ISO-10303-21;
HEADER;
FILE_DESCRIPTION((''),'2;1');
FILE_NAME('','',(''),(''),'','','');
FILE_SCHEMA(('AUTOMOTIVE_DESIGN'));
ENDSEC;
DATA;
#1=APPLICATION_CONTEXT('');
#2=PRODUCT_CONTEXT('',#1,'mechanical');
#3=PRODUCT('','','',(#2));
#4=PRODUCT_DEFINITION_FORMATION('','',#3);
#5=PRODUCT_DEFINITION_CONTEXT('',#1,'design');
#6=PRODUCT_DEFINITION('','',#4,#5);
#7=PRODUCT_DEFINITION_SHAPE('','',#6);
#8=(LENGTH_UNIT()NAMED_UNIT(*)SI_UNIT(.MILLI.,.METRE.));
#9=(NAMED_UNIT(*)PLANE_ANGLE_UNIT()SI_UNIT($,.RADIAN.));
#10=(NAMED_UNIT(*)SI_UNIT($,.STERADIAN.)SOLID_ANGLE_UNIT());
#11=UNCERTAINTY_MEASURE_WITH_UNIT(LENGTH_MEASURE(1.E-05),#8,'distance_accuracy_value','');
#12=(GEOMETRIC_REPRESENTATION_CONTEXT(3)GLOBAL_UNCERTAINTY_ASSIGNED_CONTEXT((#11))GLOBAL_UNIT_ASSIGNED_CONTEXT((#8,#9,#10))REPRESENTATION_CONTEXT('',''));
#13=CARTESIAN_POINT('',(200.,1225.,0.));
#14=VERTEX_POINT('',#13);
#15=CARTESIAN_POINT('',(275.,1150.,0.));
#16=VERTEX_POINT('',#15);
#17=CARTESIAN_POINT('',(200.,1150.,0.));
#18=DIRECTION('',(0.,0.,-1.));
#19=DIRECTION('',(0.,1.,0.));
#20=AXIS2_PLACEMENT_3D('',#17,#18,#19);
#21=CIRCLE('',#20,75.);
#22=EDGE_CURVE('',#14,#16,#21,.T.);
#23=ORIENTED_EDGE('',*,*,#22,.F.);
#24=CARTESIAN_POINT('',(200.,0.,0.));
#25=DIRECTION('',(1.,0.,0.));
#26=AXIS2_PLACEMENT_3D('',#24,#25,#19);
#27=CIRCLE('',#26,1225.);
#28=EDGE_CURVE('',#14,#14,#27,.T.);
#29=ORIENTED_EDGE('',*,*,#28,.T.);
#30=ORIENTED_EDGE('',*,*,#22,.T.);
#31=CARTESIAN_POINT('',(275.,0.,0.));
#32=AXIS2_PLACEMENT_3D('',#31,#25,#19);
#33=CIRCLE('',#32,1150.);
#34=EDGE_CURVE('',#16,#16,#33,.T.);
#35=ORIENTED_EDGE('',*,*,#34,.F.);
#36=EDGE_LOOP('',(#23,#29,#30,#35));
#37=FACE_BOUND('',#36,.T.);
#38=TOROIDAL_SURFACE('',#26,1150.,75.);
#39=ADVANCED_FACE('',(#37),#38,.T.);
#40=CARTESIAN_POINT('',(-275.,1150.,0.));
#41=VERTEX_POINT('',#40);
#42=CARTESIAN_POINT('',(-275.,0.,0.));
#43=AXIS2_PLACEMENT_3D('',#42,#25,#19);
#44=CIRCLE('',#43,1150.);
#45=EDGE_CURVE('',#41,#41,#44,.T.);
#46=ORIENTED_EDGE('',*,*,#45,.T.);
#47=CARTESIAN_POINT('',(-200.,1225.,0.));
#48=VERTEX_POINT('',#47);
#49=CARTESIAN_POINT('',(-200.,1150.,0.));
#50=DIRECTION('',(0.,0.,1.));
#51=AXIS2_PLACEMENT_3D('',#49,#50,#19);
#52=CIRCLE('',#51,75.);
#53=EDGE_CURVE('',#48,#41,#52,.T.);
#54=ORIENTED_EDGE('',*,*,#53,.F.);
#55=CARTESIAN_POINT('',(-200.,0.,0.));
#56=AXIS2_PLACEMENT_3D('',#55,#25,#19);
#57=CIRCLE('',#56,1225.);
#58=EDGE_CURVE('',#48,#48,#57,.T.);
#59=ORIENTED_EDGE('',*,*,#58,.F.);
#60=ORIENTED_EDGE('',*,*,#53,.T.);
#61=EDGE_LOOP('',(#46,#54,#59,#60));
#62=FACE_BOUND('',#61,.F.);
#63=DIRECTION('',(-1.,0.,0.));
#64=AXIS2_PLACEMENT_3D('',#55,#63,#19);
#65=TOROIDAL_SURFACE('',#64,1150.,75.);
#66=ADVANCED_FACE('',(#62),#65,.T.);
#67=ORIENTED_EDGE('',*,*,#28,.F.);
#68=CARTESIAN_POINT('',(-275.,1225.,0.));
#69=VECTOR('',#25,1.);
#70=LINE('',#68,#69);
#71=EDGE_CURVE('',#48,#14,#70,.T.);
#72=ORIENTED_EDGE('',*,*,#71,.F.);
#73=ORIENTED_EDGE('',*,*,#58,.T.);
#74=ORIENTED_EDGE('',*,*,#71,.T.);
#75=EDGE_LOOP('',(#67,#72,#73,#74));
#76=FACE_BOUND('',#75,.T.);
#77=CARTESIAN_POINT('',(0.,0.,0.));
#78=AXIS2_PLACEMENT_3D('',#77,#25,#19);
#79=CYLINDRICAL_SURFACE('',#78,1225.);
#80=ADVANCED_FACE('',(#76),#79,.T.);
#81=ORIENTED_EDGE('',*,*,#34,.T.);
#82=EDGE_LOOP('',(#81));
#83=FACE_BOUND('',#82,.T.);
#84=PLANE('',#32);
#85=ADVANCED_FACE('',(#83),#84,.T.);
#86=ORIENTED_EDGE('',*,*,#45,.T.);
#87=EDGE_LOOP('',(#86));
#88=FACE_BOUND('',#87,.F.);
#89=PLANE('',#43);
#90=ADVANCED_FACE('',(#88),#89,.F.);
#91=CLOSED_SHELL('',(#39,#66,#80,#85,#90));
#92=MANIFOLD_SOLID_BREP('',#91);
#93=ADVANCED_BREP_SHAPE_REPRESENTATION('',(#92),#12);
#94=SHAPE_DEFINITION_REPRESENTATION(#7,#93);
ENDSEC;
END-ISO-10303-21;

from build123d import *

# Parameters (mm, degrees)
F0_R     = 1225
F1_DEPTH = 275
F2_R     = 75
F4_ANGLE = 90


with BuildPart() as f1:
    # F0 (on Front) → F1 (new body, symmetric)
    with BuildSketch(Plane.XZ):
        Circle(F0_R)
    extrude(amount=F1_DEPTH, both=True)

    # F2
    f2_edges = [f1.edges().sort_by_distance(p)[0] for p in [
        (-1225, -275, 0),
        (-1225, 275, 0),
    ]]
    fillet(f2_edges, radius=F2_R)


with BuildPart() as f1_1:
    # F4: moved
    add(f1.part.rotate(Axis((0, 0, 383.4756016731), (0, 0, 1)), F4_ANGLE))


solid = f1_1.part
